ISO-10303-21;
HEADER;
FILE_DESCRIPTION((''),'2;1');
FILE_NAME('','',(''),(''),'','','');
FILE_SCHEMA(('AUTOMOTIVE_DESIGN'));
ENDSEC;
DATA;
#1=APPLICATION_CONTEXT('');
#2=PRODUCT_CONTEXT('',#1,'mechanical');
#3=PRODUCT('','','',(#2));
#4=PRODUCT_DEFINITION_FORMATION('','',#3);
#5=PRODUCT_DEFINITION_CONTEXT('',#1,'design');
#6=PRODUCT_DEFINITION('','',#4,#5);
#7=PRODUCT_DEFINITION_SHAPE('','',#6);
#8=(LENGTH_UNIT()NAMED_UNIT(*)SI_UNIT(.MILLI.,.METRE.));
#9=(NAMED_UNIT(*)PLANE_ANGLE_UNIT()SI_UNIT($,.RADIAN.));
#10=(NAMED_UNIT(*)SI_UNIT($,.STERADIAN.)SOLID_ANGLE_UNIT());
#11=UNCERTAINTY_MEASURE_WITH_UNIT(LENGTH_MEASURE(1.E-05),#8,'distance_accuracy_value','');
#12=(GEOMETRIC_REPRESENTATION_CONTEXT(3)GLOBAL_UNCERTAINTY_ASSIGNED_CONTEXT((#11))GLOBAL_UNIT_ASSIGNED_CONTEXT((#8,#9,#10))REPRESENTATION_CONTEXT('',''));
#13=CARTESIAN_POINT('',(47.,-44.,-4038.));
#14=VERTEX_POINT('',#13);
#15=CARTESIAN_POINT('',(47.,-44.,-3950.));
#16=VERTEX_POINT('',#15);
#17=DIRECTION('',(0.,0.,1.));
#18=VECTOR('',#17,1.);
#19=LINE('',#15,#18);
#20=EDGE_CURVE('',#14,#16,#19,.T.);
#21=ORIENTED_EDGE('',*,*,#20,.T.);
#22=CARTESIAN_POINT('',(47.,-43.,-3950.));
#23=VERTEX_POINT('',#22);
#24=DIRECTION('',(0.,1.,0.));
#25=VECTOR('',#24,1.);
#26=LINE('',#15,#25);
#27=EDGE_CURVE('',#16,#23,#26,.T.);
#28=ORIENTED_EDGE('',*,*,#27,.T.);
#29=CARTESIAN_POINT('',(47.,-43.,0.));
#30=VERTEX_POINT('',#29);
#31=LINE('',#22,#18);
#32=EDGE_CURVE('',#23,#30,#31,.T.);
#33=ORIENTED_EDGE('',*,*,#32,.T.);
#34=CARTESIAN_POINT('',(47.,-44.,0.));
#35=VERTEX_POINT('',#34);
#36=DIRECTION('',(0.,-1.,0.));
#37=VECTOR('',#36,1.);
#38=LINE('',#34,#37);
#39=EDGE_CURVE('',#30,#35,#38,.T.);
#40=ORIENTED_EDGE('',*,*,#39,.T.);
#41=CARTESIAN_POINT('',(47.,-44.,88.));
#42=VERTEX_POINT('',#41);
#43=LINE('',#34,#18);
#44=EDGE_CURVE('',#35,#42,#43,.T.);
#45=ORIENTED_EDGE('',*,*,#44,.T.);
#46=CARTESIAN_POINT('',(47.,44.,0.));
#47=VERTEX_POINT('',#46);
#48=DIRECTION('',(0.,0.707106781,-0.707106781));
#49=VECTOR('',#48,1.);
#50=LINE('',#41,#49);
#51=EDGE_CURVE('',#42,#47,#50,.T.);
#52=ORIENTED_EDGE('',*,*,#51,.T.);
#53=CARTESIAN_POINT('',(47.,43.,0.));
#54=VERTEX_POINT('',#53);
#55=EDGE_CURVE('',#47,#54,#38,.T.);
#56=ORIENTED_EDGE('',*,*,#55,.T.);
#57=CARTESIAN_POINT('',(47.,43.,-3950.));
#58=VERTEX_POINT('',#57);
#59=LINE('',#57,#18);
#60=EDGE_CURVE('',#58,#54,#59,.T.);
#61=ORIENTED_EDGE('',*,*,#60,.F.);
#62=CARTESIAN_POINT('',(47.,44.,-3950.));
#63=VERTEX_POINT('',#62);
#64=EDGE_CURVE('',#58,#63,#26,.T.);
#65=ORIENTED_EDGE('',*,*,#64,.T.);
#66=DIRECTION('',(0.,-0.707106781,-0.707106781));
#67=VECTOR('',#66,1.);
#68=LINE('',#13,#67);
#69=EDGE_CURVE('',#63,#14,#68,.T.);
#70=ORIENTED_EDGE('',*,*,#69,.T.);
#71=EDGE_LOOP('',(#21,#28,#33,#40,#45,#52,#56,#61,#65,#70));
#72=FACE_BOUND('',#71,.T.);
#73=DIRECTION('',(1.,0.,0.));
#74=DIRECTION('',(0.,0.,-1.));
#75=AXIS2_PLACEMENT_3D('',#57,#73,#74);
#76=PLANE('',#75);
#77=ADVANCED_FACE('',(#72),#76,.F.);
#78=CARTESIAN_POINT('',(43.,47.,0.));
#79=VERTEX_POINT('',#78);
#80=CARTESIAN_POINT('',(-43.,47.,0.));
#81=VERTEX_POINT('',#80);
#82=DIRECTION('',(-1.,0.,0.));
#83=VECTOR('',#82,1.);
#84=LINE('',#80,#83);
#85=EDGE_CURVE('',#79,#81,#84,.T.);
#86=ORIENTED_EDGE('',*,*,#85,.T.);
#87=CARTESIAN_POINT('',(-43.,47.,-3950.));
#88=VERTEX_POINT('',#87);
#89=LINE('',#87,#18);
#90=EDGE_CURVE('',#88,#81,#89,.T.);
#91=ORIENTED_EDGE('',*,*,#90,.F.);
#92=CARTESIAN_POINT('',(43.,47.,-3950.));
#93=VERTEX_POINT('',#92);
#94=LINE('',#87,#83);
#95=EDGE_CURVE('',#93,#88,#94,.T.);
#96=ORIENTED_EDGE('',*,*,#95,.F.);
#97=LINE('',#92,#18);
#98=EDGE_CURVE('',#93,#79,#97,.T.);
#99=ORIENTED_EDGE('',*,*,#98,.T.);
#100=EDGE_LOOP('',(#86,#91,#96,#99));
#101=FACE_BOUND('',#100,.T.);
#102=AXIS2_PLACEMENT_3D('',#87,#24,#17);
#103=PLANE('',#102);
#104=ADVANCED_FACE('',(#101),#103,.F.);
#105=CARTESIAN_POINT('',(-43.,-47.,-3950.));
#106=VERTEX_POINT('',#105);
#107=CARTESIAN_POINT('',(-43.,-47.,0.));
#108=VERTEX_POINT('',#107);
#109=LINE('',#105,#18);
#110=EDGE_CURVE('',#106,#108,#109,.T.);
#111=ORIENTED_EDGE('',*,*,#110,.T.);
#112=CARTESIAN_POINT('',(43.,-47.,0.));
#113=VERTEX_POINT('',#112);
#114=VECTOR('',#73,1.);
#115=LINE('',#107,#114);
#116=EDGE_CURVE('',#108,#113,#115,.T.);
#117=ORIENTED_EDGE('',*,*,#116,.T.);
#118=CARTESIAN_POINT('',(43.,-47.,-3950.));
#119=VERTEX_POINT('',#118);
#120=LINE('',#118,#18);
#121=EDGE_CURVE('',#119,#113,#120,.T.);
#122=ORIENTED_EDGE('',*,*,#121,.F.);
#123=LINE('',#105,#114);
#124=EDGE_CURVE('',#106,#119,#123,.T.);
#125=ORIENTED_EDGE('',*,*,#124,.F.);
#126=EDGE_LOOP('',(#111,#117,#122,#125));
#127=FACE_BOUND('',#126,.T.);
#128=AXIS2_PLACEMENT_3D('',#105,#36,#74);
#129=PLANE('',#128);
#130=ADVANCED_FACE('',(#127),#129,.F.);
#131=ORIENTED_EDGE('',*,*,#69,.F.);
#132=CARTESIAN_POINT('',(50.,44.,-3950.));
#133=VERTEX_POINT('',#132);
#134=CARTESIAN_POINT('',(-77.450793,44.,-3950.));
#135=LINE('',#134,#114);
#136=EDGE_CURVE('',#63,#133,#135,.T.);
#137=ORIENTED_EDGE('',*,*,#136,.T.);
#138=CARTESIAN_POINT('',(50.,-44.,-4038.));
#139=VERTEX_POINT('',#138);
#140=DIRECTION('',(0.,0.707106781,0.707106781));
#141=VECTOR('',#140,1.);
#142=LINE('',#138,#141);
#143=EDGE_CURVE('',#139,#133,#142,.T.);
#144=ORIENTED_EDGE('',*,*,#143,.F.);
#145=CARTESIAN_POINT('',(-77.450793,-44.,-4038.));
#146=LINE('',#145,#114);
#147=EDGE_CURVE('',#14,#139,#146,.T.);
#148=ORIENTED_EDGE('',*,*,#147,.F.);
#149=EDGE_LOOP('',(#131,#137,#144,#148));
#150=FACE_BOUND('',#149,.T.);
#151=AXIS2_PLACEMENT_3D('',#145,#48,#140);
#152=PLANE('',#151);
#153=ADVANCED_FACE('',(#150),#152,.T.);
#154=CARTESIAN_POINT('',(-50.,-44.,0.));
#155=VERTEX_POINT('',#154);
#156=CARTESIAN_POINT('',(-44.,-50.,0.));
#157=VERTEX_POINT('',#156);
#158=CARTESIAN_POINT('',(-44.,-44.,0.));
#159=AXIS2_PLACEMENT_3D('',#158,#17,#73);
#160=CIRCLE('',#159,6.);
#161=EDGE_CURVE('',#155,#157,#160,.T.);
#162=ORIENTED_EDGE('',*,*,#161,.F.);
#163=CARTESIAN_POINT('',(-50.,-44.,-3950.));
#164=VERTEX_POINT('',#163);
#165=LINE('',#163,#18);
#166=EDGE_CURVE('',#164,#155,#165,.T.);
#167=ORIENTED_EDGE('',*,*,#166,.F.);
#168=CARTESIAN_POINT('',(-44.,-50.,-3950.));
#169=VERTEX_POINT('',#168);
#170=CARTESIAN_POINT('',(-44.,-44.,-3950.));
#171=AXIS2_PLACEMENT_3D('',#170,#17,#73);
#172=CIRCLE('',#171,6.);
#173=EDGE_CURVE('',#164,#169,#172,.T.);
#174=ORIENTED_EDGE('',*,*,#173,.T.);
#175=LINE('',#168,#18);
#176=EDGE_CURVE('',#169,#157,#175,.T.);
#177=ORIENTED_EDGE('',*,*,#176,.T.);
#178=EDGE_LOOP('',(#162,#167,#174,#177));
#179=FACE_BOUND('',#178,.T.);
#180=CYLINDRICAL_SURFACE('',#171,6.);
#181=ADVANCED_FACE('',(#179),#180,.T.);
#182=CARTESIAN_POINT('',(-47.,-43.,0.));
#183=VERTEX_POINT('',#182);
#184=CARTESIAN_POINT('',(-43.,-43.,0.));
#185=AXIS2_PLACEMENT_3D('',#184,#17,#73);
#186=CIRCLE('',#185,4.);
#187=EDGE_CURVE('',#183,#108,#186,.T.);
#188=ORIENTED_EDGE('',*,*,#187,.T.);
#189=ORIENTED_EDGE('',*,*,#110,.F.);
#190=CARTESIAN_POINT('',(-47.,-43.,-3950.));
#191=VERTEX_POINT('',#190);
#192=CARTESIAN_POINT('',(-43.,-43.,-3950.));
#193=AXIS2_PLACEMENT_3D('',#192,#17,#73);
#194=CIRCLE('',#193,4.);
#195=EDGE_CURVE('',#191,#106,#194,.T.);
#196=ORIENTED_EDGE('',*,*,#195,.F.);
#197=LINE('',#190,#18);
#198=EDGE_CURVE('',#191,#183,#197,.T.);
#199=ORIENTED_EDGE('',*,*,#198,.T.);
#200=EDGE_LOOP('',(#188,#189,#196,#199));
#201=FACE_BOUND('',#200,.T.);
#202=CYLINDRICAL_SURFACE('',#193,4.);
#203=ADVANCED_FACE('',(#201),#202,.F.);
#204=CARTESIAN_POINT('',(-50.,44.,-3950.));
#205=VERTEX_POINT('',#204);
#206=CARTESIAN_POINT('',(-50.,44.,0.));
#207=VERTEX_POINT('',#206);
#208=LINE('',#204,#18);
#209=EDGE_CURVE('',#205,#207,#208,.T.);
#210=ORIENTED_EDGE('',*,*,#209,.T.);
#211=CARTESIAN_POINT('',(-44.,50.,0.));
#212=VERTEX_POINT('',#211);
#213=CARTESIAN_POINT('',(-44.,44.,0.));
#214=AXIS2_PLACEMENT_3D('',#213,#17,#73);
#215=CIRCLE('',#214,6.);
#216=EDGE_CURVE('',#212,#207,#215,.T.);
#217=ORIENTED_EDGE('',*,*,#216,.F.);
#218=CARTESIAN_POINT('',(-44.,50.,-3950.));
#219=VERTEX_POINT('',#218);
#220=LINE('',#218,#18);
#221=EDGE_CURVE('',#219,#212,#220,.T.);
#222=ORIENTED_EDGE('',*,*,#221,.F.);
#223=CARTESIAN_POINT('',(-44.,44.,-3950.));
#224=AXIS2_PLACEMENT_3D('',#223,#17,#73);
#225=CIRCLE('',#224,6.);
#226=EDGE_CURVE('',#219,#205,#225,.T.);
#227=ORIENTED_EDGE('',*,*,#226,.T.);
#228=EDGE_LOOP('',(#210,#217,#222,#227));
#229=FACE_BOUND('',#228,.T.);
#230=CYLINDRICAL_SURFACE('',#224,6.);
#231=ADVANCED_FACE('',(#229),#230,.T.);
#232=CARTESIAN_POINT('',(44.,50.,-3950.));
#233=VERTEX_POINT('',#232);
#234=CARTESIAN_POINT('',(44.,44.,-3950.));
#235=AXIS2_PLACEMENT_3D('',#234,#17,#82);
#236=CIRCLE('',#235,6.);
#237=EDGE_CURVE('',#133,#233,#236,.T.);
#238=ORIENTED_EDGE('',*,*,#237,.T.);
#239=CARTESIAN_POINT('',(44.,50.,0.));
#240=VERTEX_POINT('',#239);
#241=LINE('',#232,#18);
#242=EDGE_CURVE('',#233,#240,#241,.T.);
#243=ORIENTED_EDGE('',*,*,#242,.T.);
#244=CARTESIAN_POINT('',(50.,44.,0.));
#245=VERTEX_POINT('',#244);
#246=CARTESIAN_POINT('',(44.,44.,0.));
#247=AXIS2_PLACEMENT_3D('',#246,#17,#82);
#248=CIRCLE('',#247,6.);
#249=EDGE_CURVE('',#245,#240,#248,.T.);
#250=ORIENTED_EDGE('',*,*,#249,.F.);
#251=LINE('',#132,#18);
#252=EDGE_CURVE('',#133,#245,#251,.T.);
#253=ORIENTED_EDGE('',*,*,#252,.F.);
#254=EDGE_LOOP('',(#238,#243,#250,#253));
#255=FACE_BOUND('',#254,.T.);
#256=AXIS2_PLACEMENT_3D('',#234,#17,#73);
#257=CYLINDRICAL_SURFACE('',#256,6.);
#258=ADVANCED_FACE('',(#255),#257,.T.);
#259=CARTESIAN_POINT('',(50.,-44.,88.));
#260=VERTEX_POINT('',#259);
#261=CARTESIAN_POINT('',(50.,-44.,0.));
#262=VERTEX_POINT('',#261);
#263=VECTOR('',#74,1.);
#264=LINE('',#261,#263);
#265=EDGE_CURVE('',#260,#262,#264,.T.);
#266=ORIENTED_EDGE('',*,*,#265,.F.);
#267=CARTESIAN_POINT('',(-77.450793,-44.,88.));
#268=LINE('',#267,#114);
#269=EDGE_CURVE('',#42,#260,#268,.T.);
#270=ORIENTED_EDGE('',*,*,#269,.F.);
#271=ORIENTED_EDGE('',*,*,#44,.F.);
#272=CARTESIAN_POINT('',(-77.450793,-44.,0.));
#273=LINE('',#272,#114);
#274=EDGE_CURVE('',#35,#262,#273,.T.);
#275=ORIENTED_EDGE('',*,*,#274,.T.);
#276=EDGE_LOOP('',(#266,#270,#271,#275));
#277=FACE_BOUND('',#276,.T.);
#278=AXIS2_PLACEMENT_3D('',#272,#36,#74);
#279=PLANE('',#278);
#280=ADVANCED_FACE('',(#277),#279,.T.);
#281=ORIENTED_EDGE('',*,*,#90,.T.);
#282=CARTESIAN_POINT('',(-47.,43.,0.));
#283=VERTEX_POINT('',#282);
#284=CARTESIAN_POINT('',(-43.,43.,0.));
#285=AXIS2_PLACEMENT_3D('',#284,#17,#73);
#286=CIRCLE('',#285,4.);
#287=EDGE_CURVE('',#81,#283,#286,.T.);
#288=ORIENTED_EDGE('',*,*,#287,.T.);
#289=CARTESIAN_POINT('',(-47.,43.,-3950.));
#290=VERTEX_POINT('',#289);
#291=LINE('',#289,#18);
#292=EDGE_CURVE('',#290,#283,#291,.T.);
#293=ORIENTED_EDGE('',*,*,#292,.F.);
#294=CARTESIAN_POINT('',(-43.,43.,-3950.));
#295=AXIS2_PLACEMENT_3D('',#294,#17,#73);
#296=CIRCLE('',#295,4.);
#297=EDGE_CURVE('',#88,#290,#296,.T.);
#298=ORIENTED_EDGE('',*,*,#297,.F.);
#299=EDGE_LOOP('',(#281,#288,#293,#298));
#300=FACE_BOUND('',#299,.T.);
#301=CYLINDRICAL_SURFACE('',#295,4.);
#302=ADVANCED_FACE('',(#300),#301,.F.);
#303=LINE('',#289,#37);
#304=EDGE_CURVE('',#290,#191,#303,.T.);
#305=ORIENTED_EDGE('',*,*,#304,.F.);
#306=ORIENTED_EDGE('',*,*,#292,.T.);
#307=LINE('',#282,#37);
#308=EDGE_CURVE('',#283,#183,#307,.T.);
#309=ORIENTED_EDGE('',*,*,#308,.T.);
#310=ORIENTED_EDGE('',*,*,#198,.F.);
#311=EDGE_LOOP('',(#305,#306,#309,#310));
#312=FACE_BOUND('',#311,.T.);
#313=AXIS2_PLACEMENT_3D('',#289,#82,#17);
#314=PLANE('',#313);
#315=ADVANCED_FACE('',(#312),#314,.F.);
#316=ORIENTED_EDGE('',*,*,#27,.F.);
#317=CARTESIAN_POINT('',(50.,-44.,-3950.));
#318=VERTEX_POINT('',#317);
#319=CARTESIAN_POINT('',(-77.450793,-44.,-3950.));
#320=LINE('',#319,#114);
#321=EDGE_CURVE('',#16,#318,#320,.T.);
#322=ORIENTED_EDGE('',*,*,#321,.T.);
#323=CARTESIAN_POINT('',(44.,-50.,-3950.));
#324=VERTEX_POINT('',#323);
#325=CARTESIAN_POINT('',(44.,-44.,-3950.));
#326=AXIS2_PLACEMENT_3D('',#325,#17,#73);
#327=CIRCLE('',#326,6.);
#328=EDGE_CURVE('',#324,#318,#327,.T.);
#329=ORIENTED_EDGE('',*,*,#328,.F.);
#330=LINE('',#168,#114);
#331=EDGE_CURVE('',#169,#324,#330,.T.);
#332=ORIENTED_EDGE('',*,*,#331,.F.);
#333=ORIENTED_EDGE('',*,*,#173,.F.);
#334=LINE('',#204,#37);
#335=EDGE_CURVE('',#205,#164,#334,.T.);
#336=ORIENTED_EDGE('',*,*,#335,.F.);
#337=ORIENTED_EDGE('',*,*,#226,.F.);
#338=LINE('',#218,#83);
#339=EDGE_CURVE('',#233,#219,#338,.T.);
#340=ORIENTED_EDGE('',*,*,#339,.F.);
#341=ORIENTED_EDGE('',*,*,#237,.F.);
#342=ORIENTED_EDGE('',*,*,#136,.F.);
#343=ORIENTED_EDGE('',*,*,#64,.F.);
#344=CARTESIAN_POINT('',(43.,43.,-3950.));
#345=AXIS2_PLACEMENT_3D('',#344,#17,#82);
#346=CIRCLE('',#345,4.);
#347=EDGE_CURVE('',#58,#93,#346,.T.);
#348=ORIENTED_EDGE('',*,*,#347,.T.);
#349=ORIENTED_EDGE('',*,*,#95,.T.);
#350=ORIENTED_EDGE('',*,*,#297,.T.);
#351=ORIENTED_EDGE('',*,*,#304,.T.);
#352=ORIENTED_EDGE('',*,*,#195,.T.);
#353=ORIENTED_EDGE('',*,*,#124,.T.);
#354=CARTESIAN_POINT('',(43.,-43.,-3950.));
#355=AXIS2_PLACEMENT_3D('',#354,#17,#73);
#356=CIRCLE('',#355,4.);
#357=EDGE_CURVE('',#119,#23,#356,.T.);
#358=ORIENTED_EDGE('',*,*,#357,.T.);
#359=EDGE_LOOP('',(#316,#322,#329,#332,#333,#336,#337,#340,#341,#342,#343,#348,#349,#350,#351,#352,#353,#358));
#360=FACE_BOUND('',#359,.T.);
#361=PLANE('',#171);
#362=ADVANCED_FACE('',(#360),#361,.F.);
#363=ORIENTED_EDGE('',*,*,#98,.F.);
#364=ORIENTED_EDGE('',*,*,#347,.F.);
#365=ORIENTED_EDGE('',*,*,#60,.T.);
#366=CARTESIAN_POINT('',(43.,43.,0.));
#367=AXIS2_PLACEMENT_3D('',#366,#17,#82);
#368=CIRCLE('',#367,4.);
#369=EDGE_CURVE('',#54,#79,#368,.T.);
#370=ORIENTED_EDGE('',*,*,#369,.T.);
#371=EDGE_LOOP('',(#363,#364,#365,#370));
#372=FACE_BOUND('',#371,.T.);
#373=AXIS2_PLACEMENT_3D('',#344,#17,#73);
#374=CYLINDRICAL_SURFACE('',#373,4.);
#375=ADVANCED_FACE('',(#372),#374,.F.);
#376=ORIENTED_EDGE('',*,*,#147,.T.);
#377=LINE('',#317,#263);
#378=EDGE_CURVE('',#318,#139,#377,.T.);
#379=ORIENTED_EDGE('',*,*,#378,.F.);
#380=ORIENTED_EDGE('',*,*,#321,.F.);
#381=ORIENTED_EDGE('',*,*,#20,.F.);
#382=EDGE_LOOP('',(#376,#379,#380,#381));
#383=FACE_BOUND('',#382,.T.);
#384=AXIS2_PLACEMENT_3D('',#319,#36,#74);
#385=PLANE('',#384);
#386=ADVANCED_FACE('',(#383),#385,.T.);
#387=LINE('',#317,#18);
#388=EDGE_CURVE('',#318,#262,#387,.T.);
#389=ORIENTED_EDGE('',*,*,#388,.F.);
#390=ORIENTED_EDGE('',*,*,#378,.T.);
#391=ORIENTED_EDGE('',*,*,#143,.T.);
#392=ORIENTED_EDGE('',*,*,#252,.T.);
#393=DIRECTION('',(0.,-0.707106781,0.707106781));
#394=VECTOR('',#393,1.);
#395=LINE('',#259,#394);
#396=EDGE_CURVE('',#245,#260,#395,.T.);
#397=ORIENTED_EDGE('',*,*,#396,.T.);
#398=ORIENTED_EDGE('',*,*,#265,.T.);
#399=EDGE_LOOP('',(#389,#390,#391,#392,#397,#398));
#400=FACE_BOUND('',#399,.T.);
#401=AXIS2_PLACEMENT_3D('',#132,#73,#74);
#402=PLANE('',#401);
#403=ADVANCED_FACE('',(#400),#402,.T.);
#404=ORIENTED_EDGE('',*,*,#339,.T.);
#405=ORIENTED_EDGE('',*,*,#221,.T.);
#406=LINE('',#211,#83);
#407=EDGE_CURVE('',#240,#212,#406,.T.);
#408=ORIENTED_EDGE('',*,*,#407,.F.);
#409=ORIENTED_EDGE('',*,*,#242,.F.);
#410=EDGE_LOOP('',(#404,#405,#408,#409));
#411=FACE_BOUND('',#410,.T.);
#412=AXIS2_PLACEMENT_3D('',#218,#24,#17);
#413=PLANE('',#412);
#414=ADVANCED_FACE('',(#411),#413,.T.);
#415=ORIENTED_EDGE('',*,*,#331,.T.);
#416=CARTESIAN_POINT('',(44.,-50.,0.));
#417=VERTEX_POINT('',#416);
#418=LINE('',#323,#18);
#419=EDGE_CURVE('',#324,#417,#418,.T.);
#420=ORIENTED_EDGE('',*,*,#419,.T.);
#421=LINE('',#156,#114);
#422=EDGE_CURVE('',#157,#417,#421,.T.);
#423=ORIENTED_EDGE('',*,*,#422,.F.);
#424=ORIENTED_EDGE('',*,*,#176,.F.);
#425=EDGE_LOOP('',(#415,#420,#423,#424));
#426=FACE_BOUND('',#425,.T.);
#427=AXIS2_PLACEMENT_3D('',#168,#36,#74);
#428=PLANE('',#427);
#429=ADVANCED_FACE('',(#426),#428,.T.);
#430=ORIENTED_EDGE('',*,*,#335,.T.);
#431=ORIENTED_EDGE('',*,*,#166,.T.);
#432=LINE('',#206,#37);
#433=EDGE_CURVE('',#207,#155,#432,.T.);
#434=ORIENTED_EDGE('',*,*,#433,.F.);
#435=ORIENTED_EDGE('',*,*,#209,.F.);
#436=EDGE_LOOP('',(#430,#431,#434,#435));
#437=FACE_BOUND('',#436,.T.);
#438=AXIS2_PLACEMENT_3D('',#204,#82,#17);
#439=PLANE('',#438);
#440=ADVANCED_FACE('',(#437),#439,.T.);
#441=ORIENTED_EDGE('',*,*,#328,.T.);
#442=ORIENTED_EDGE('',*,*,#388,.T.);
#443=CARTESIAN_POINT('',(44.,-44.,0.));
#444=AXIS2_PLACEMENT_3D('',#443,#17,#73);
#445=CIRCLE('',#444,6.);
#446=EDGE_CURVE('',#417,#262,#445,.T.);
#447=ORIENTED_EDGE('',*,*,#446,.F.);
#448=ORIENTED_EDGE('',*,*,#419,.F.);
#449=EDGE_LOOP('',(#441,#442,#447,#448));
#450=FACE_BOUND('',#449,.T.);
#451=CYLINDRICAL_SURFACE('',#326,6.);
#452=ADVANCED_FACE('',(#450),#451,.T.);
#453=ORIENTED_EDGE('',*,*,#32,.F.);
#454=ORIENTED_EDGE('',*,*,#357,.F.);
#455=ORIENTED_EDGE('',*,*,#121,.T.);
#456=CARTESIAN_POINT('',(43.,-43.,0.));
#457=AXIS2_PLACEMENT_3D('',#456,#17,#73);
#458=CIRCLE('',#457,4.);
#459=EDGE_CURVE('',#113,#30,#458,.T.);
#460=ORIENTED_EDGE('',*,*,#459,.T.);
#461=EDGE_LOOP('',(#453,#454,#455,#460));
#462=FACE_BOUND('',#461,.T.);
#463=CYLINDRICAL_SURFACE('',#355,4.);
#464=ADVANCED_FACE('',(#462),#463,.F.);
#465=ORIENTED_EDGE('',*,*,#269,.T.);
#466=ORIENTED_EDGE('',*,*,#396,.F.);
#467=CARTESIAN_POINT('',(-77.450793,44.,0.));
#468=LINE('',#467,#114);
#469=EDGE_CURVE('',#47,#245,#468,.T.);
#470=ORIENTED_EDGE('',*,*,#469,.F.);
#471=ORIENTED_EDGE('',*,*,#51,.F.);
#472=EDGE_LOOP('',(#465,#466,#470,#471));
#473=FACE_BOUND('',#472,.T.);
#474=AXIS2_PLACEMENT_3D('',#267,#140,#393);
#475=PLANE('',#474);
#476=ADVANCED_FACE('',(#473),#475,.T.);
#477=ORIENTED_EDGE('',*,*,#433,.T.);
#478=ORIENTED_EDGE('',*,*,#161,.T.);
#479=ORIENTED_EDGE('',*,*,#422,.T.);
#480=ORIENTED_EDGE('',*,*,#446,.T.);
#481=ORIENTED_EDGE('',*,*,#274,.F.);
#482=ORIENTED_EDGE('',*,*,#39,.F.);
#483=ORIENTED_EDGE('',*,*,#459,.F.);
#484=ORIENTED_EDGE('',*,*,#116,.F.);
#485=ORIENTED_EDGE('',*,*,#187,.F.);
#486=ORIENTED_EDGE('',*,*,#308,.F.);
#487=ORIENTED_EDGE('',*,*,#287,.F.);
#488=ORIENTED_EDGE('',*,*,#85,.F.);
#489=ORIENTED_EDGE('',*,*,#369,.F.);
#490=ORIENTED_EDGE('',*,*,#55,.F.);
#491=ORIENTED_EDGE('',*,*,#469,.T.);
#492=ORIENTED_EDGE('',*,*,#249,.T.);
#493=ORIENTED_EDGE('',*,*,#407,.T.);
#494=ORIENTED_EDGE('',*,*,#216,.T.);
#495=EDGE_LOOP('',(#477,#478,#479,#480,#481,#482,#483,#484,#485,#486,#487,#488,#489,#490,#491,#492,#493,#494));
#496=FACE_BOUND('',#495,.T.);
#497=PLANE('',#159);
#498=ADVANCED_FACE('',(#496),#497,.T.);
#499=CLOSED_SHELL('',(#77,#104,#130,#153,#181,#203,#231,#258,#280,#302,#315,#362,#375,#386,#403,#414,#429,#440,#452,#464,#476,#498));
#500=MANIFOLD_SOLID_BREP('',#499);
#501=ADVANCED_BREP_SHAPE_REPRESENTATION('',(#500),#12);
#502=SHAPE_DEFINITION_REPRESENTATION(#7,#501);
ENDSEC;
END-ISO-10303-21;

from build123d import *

# Parameters (mm, degrees)
EXTRUDE_1_DEPTH = 3950
EXTRUDE_2_DEPTH = 3


with BuildPart() as part:
    # Эскиз1 → Бобышка-Вытянуть1 (new body)
    with BuildSketch(Plane.XY):
        with BuildLine():
            Line((-44, 50), (44, 50))
            ThreePointArc((44, 50), (48.242640687, 48.242640687), (50, 44))
            Line((50, 44), (50, -44))
            ThreePointArc((50, -44), (48.242640687, -48.242640687), (44, -50))
            Line((44, -50), (-44, -50))
            ThreePointArc((-44, -50), (-48.242640687, -48.242640687), (-50, -44))
            Line((-50, -44), (-50, 44))
            ThreePointArc((-50, 44), (-48.242640687, 48.242640687), (-44, 50))
        make_face()
        with BuildLine():
            Line((-43, 47), (43, 47))
            ThreePointArc((43, 47), (45.828427125, 45.828427125), (47, 43))
            Line((47, 43), (47, -43))
            ThreePointArc((47, -43), (45.828427125, -45.828427125), (43, -47))
            Line((43, -47), (-43, -47))
            ThreePointArc((-43, -47), (-45.828427125, -45.828427125), (-47, -43))
            Line((-47, -43), (-47, 43))
            ThreePointArc((-47, 43), (-45.828427125, 45.828427125), (-43, 47))
        make_face(mode=Mode.SUBTRACT)
    extrude(amount=-EXTRUDE_1_DEPTH)

    # Эскиз2 → Бобышка-Вытянуть2 (add)
    with BuildSketch(Plane(origin=(50, 0, 0), x_dir=(0, 0, -1), z_dir=(1, 0, 0))):
        Polygon((0, -44), (0, 44), (-88, -44), align=None)
        Polygon((3950, -44), (3950, 44), (4038, -44), align=None)
    extrude(amount=-EXTRUDE_2_DEPTH)


solid = part.part
